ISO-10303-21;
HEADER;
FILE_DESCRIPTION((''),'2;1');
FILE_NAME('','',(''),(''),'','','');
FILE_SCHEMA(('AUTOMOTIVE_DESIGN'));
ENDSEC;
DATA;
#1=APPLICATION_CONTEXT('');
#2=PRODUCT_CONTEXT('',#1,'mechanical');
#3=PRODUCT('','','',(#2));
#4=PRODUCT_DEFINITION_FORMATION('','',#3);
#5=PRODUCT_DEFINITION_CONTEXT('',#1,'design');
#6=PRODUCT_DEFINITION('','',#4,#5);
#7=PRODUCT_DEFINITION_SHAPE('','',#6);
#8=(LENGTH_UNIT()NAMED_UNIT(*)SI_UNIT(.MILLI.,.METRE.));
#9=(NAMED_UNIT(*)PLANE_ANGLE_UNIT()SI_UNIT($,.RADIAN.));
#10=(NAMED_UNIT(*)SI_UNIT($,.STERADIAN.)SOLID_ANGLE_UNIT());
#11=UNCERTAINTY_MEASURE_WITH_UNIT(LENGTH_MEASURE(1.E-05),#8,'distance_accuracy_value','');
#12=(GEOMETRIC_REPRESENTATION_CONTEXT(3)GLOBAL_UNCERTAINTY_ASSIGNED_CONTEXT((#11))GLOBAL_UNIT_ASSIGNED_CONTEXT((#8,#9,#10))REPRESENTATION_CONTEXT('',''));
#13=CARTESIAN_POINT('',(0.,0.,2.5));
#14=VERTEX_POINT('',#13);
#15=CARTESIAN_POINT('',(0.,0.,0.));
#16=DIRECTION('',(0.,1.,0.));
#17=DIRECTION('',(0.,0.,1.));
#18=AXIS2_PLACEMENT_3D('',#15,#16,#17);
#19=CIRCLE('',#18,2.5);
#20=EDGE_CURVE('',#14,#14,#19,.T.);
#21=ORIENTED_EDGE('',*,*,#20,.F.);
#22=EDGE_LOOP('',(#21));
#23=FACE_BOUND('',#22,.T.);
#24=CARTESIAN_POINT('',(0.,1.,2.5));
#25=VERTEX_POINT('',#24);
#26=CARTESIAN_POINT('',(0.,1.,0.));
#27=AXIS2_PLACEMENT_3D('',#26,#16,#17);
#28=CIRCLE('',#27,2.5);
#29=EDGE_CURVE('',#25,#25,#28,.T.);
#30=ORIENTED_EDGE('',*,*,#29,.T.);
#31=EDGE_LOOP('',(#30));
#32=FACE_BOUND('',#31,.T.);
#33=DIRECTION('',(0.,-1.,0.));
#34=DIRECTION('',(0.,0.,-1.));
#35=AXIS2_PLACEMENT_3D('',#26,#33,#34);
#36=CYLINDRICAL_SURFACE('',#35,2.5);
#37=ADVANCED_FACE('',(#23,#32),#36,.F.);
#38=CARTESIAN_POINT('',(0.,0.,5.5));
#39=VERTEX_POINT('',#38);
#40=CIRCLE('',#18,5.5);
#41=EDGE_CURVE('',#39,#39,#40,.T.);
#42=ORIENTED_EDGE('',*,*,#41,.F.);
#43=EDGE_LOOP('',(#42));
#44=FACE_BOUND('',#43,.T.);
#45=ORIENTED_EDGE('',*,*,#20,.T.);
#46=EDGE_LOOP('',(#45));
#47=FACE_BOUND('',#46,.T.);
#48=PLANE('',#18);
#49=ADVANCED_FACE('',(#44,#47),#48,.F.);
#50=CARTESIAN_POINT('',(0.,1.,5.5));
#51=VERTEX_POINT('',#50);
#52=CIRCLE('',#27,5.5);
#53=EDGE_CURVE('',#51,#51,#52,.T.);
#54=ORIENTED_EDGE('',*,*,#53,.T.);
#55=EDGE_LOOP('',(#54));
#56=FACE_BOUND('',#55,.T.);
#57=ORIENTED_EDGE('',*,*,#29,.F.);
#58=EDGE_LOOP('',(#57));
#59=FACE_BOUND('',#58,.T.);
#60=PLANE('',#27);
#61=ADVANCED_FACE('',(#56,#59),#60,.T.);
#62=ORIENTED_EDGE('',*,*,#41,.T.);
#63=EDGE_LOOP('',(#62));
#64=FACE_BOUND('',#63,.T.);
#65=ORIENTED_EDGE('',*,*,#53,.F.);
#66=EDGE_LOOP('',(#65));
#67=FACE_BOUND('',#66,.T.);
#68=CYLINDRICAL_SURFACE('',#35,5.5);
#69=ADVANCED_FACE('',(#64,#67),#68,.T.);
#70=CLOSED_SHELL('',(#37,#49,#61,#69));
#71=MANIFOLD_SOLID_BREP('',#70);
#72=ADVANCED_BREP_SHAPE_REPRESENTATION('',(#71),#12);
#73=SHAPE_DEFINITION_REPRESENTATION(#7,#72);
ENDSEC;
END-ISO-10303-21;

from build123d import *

# Parameters (mm, degrees)
ESQUISSE1_R        = 5.5
ESQUISSE1_R_2      = 2.5
BOSS_EXTRU_1_DEPTH = 1


with BuildPart() as part:
    # Esquisse1 → Boss.-Extru.1 (new body)
    with BuildSketch(Plane(origin=(0, 0, 0), x_dir=(1, 0, 0), z_dir=(0, 1, 0))):
        Circle(ESQUISSE1_R)
        Circle(ESQUISSE1_R_2, mode=Mode.SUBTRACT)
    extrude(amount=BOSS_EXTRU_1_DEPTH)


solid = part.part
